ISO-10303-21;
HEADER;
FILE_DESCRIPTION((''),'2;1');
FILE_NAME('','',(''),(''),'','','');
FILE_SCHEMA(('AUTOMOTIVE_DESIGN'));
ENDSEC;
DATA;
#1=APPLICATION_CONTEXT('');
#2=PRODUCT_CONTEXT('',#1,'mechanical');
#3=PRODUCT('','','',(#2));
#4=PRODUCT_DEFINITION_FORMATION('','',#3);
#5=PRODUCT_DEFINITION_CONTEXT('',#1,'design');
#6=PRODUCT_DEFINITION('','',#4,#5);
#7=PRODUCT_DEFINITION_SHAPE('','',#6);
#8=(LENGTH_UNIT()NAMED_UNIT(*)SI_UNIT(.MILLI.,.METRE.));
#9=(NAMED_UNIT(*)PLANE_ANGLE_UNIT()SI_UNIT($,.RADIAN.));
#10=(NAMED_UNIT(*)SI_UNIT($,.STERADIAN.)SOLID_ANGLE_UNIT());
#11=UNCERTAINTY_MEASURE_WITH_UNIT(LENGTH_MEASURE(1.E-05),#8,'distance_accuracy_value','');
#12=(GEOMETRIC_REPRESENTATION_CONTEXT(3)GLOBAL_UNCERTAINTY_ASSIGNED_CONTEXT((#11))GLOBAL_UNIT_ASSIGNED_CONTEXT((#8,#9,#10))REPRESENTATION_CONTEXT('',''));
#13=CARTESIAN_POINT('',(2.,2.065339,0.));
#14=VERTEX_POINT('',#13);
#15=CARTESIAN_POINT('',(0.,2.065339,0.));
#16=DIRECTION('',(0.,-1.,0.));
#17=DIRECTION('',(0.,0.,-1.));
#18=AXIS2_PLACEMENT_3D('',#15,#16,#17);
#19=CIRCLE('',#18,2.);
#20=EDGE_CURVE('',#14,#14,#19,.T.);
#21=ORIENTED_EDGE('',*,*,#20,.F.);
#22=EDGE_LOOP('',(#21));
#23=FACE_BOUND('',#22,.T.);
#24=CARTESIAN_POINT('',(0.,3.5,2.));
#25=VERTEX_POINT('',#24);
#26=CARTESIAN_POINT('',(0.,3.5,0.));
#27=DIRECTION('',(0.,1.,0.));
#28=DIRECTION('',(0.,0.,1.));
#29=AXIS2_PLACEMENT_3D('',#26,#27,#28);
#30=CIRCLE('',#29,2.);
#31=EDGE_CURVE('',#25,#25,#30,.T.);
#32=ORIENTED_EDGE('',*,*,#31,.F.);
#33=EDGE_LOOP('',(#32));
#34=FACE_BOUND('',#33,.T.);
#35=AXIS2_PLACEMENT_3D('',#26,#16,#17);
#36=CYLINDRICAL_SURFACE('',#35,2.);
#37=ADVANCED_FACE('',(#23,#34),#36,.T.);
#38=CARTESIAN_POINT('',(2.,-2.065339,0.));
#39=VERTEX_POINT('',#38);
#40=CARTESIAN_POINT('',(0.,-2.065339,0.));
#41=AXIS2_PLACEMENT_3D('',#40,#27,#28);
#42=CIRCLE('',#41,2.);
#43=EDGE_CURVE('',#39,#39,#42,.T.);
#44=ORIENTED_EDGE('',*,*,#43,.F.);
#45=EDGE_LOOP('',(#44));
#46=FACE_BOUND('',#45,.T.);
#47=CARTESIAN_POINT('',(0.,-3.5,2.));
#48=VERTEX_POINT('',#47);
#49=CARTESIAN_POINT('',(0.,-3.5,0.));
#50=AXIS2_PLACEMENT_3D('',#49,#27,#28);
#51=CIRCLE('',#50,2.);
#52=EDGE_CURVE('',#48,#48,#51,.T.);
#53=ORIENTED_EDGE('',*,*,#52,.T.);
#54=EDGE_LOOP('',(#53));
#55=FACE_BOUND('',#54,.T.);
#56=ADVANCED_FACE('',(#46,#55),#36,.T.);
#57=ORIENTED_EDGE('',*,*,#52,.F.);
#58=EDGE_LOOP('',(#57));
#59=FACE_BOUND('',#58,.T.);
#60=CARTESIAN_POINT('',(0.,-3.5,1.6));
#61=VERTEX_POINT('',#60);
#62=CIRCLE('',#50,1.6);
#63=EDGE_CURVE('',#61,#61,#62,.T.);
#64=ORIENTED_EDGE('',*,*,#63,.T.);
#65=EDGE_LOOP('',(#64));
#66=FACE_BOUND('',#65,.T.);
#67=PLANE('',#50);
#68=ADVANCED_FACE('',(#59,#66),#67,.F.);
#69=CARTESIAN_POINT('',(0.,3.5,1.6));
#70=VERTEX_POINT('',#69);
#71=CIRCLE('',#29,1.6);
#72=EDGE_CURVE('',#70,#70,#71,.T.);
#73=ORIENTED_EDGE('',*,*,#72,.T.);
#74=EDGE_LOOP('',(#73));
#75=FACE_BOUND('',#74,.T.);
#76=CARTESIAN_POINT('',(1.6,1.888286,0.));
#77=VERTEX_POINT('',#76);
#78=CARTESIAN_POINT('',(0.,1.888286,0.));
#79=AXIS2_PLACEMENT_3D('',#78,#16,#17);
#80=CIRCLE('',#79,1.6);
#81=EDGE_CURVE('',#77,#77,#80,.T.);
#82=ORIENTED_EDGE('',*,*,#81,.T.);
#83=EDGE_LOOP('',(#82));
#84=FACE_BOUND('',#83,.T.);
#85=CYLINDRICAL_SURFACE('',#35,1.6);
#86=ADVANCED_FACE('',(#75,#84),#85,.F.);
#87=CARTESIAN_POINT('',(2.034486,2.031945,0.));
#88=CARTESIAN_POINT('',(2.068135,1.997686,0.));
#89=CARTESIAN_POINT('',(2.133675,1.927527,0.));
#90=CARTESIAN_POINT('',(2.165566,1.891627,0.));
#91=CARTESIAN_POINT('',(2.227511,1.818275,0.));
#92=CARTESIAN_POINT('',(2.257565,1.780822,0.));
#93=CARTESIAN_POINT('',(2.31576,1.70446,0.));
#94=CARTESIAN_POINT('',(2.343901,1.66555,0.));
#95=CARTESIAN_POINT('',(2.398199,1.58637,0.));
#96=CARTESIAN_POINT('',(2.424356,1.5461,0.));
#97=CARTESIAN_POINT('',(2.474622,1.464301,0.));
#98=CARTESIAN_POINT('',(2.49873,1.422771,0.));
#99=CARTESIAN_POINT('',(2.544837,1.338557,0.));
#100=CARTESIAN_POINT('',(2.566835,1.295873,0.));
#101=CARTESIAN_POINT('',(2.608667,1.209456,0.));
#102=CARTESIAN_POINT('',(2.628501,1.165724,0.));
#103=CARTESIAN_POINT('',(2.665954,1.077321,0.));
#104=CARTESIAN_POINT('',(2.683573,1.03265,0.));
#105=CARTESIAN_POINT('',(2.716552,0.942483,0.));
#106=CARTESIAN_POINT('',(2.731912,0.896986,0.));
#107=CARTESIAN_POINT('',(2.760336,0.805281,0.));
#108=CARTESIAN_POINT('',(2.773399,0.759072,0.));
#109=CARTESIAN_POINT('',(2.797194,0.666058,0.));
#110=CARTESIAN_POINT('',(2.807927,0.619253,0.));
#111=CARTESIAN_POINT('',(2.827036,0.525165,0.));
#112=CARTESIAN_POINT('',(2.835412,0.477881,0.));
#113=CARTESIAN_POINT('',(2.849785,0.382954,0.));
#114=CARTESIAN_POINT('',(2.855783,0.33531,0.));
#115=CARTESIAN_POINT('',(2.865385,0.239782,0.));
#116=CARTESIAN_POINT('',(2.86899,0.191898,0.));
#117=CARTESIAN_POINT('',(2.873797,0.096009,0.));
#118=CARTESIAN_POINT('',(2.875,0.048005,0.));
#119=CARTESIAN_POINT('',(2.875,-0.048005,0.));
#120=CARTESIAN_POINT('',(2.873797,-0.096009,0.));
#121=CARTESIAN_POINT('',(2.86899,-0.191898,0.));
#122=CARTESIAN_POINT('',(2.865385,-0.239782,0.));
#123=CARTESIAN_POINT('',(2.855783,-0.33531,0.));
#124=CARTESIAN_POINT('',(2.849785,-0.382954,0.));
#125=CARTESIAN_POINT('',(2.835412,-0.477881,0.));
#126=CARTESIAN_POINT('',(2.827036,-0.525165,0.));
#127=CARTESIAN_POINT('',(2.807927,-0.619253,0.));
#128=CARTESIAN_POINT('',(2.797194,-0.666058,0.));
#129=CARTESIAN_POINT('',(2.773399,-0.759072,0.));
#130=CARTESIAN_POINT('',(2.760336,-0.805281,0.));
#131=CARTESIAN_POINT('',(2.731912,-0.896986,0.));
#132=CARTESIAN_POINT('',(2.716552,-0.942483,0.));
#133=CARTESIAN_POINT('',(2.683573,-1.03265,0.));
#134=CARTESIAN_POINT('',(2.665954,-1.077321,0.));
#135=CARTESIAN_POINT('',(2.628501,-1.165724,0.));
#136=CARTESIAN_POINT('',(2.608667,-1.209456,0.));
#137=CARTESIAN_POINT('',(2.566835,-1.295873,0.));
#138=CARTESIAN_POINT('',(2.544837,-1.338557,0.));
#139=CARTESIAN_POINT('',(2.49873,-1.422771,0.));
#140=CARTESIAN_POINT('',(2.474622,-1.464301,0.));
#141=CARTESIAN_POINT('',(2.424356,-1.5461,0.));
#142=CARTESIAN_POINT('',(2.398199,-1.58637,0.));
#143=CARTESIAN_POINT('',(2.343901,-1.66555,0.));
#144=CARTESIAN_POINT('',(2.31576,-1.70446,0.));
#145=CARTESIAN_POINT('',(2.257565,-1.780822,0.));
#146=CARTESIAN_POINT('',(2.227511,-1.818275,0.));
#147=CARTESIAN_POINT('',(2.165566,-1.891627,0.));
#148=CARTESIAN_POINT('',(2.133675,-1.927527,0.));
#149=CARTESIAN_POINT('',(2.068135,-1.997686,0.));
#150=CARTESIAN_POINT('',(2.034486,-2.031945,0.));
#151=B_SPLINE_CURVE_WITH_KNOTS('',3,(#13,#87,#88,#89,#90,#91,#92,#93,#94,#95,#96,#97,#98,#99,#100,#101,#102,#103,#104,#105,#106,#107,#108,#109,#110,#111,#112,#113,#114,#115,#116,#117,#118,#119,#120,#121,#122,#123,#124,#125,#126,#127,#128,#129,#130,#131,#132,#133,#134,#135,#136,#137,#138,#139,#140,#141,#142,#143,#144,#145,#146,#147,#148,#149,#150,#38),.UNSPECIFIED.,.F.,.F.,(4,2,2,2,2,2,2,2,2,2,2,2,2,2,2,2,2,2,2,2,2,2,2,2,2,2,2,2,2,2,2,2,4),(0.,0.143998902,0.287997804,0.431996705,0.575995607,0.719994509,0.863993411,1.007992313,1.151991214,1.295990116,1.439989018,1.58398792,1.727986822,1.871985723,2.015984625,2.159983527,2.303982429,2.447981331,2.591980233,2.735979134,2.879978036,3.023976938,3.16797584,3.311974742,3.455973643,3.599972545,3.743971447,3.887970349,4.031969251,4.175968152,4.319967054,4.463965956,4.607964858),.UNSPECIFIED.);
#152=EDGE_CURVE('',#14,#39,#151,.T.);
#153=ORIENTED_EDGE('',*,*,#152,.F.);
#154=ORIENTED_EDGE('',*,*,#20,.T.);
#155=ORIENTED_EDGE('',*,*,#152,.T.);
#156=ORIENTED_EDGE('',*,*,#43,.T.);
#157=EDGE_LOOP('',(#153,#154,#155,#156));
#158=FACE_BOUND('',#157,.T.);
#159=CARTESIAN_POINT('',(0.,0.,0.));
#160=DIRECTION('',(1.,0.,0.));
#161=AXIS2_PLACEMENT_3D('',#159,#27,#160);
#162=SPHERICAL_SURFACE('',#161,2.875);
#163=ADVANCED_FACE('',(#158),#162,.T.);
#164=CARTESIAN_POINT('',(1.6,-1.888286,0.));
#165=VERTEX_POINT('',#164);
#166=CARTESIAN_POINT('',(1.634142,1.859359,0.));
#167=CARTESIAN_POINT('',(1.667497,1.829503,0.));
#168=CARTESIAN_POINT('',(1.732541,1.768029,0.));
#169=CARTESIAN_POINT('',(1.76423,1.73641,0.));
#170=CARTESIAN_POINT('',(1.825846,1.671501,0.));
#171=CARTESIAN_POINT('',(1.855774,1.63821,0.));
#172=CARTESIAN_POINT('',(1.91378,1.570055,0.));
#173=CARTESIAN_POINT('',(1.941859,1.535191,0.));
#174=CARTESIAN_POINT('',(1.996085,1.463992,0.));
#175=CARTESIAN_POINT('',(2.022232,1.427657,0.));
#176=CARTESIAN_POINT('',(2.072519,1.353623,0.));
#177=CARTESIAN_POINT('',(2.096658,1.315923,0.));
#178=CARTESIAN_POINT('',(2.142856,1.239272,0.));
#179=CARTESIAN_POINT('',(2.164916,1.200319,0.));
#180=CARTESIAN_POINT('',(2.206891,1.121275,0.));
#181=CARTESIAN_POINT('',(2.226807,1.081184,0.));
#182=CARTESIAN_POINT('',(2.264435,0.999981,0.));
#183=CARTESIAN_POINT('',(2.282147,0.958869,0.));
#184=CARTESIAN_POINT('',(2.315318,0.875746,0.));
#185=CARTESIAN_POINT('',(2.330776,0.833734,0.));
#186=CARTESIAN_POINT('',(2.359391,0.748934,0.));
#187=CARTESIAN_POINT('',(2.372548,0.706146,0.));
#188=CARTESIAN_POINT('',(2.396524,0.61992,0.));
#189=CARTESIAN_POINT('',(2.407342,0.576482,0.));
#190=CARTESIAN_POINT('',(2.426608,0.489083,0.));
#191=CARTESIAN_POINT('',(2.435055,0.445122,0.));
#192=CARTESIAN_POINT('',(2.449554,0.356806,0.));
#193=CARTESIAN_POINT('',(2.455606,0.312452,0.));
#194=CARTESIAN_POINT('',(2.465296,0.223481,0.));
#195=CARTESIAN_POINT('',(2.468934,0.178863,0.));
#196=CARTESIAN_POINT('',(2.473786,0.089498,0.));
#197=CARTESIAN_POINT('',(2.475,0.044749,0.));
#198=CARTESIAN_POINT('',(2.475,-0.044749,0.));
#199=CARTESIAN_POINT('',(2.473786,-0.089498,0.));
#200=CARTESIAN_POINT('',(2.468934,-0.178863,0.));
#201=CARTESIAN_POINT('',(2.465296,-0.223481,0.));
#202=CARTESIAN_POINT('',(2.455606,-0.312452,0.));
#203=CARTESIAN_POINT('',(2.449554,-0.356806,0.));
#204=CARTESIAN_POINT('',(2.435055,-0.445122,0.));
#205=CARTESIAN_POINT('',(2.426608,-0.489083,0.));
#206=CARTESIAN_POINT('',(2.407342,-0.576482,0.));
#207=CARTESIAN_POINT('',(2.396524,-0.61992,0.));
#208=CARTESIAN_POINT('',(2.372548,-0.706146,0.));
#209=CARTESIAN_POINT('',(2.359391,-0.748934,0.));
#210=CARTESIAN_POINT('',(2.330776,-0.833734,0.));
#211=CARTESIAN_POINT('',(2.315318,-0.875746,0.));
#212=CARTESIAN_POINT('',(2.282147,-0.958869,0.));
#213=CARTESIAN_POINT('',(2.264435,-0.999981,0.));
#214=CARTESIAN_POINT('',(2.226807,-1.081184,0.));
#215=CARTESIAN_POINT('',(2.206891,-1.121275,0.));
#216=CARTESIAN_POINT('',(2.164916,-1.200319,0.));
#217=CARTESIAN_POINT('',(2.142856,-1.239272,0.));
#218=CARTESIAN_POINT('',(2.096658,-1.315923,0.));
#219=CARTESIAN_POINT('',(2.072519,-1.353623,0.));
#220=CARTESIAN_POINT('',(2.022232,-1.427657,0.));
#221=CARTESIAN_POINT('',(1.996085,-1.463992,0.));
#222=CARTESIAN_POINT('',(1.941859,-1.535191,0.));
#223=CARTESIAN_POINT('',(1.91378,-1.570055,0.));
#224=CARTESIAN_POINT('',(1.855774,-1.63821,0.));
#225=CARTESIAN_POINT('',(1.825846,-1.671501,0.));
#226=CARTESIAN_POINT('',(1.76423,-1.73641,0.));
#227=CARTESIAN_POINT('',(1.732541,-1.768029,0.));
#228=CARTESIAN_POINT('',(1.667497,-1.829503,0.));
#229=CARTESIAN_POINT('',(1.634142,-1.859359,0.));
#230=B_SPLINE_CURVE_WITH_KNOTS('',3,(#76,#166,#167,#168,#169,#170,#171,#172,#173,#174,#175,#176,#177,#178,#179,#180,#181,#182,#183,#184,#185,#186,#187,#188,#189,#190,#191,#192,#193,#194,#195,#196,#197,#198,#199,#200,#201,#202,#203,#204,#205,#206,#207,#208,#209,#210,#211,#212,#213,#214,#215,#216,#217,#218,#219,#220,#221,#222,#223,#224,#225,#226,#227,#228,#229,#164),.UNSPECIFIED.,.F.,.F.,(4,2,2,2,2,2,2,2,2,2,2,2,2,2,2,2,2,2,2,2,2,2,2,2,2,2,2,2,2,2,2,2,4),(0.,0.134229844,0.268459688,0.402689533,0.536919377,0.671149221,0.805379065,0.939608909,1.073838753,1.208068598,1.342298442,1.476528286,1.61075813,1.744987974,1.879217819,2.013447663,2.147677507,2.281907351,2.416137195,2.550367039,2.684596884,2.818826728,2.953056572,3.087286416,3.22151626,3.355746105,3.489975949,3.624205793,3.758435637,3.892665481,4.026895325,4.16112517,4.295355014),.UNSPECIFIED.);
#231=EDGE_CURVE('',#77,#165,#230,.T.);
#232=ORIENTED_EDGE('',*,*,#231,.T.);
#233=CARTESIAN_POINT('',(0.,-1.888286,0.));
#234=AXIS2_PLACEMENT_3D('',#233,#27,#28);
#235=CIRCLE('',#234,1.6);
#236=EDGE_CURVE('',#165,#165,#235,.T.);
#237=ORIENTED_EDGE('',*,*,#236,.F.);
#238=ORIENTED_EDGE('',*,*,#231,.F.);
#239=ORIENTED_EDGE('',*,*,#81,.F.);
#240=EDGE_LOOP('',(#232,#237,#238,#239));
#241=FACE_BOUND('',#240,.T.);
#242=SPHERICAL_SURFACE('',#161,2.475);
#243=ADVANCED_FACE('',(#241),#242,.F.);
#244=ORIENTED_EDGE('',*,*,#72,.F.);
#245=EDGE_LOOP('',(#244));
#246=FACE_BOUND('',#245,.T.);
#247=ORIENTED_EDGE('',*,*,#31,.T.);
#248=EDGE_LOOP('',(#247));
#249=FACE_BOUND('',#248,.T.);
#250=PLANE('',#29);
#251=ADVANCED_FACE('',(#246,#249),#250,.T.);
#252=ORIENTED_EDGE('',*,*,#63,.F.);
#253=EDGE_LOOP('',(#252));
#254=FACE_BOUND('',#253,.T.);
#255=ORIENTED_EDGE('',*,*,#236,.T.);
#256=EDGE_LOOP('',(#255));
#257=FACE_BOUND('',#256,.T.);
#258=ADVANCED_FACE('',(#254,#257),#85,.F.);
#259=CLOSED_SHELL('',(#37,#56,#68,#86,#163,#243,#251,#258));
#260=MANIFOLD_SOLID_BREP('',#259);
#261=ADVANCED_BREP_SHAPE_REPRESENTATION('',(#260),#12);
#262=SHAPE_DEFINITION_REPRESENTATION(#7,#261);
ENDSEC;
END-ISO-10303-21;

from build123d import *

# Parameters (mm, degrees)
SKETCH2_R           = 2
BOSS_EXTRUDE1_DEPTH = 3.5
SHELL1_T            = -0.4


with BuildPart() as part:
    # Sketch1 → Revolve1 (revolve)
    with BuildSketch(Plane.XY):
        with BuildLine():
            Line((0, -2.875), (0, 2.875))
            ThreePointArc((0, 2.875), (-2.875, 0), (0, -2.875))
        make_face()
    revolve(axis=Axis((0, 55, 0), (0, -1, 0)))

    # Sketch2 → Boss-Extrude1 (add, symmetric)
    with BuildSketch(Plane(origin=(0, 0, 0), x_dir=(1, 0, 0), z_dir=(0, 1, 0))):
        Circle(SKETCH2_R)
    extrude(amount=BOSS_EXTRUDE1_DEPTH, both=True)

    # Shell1
    shell1_openings = [part.faces().sort_by_distance(p)[0] for p in [
        (0, 3.5, 0),
        (0, -3.5, 0),
    ]]
    offset(amount=SHELL1_T, openings=shell1_openings, kind=Kind.INTERSECTION)


solid = part.part
